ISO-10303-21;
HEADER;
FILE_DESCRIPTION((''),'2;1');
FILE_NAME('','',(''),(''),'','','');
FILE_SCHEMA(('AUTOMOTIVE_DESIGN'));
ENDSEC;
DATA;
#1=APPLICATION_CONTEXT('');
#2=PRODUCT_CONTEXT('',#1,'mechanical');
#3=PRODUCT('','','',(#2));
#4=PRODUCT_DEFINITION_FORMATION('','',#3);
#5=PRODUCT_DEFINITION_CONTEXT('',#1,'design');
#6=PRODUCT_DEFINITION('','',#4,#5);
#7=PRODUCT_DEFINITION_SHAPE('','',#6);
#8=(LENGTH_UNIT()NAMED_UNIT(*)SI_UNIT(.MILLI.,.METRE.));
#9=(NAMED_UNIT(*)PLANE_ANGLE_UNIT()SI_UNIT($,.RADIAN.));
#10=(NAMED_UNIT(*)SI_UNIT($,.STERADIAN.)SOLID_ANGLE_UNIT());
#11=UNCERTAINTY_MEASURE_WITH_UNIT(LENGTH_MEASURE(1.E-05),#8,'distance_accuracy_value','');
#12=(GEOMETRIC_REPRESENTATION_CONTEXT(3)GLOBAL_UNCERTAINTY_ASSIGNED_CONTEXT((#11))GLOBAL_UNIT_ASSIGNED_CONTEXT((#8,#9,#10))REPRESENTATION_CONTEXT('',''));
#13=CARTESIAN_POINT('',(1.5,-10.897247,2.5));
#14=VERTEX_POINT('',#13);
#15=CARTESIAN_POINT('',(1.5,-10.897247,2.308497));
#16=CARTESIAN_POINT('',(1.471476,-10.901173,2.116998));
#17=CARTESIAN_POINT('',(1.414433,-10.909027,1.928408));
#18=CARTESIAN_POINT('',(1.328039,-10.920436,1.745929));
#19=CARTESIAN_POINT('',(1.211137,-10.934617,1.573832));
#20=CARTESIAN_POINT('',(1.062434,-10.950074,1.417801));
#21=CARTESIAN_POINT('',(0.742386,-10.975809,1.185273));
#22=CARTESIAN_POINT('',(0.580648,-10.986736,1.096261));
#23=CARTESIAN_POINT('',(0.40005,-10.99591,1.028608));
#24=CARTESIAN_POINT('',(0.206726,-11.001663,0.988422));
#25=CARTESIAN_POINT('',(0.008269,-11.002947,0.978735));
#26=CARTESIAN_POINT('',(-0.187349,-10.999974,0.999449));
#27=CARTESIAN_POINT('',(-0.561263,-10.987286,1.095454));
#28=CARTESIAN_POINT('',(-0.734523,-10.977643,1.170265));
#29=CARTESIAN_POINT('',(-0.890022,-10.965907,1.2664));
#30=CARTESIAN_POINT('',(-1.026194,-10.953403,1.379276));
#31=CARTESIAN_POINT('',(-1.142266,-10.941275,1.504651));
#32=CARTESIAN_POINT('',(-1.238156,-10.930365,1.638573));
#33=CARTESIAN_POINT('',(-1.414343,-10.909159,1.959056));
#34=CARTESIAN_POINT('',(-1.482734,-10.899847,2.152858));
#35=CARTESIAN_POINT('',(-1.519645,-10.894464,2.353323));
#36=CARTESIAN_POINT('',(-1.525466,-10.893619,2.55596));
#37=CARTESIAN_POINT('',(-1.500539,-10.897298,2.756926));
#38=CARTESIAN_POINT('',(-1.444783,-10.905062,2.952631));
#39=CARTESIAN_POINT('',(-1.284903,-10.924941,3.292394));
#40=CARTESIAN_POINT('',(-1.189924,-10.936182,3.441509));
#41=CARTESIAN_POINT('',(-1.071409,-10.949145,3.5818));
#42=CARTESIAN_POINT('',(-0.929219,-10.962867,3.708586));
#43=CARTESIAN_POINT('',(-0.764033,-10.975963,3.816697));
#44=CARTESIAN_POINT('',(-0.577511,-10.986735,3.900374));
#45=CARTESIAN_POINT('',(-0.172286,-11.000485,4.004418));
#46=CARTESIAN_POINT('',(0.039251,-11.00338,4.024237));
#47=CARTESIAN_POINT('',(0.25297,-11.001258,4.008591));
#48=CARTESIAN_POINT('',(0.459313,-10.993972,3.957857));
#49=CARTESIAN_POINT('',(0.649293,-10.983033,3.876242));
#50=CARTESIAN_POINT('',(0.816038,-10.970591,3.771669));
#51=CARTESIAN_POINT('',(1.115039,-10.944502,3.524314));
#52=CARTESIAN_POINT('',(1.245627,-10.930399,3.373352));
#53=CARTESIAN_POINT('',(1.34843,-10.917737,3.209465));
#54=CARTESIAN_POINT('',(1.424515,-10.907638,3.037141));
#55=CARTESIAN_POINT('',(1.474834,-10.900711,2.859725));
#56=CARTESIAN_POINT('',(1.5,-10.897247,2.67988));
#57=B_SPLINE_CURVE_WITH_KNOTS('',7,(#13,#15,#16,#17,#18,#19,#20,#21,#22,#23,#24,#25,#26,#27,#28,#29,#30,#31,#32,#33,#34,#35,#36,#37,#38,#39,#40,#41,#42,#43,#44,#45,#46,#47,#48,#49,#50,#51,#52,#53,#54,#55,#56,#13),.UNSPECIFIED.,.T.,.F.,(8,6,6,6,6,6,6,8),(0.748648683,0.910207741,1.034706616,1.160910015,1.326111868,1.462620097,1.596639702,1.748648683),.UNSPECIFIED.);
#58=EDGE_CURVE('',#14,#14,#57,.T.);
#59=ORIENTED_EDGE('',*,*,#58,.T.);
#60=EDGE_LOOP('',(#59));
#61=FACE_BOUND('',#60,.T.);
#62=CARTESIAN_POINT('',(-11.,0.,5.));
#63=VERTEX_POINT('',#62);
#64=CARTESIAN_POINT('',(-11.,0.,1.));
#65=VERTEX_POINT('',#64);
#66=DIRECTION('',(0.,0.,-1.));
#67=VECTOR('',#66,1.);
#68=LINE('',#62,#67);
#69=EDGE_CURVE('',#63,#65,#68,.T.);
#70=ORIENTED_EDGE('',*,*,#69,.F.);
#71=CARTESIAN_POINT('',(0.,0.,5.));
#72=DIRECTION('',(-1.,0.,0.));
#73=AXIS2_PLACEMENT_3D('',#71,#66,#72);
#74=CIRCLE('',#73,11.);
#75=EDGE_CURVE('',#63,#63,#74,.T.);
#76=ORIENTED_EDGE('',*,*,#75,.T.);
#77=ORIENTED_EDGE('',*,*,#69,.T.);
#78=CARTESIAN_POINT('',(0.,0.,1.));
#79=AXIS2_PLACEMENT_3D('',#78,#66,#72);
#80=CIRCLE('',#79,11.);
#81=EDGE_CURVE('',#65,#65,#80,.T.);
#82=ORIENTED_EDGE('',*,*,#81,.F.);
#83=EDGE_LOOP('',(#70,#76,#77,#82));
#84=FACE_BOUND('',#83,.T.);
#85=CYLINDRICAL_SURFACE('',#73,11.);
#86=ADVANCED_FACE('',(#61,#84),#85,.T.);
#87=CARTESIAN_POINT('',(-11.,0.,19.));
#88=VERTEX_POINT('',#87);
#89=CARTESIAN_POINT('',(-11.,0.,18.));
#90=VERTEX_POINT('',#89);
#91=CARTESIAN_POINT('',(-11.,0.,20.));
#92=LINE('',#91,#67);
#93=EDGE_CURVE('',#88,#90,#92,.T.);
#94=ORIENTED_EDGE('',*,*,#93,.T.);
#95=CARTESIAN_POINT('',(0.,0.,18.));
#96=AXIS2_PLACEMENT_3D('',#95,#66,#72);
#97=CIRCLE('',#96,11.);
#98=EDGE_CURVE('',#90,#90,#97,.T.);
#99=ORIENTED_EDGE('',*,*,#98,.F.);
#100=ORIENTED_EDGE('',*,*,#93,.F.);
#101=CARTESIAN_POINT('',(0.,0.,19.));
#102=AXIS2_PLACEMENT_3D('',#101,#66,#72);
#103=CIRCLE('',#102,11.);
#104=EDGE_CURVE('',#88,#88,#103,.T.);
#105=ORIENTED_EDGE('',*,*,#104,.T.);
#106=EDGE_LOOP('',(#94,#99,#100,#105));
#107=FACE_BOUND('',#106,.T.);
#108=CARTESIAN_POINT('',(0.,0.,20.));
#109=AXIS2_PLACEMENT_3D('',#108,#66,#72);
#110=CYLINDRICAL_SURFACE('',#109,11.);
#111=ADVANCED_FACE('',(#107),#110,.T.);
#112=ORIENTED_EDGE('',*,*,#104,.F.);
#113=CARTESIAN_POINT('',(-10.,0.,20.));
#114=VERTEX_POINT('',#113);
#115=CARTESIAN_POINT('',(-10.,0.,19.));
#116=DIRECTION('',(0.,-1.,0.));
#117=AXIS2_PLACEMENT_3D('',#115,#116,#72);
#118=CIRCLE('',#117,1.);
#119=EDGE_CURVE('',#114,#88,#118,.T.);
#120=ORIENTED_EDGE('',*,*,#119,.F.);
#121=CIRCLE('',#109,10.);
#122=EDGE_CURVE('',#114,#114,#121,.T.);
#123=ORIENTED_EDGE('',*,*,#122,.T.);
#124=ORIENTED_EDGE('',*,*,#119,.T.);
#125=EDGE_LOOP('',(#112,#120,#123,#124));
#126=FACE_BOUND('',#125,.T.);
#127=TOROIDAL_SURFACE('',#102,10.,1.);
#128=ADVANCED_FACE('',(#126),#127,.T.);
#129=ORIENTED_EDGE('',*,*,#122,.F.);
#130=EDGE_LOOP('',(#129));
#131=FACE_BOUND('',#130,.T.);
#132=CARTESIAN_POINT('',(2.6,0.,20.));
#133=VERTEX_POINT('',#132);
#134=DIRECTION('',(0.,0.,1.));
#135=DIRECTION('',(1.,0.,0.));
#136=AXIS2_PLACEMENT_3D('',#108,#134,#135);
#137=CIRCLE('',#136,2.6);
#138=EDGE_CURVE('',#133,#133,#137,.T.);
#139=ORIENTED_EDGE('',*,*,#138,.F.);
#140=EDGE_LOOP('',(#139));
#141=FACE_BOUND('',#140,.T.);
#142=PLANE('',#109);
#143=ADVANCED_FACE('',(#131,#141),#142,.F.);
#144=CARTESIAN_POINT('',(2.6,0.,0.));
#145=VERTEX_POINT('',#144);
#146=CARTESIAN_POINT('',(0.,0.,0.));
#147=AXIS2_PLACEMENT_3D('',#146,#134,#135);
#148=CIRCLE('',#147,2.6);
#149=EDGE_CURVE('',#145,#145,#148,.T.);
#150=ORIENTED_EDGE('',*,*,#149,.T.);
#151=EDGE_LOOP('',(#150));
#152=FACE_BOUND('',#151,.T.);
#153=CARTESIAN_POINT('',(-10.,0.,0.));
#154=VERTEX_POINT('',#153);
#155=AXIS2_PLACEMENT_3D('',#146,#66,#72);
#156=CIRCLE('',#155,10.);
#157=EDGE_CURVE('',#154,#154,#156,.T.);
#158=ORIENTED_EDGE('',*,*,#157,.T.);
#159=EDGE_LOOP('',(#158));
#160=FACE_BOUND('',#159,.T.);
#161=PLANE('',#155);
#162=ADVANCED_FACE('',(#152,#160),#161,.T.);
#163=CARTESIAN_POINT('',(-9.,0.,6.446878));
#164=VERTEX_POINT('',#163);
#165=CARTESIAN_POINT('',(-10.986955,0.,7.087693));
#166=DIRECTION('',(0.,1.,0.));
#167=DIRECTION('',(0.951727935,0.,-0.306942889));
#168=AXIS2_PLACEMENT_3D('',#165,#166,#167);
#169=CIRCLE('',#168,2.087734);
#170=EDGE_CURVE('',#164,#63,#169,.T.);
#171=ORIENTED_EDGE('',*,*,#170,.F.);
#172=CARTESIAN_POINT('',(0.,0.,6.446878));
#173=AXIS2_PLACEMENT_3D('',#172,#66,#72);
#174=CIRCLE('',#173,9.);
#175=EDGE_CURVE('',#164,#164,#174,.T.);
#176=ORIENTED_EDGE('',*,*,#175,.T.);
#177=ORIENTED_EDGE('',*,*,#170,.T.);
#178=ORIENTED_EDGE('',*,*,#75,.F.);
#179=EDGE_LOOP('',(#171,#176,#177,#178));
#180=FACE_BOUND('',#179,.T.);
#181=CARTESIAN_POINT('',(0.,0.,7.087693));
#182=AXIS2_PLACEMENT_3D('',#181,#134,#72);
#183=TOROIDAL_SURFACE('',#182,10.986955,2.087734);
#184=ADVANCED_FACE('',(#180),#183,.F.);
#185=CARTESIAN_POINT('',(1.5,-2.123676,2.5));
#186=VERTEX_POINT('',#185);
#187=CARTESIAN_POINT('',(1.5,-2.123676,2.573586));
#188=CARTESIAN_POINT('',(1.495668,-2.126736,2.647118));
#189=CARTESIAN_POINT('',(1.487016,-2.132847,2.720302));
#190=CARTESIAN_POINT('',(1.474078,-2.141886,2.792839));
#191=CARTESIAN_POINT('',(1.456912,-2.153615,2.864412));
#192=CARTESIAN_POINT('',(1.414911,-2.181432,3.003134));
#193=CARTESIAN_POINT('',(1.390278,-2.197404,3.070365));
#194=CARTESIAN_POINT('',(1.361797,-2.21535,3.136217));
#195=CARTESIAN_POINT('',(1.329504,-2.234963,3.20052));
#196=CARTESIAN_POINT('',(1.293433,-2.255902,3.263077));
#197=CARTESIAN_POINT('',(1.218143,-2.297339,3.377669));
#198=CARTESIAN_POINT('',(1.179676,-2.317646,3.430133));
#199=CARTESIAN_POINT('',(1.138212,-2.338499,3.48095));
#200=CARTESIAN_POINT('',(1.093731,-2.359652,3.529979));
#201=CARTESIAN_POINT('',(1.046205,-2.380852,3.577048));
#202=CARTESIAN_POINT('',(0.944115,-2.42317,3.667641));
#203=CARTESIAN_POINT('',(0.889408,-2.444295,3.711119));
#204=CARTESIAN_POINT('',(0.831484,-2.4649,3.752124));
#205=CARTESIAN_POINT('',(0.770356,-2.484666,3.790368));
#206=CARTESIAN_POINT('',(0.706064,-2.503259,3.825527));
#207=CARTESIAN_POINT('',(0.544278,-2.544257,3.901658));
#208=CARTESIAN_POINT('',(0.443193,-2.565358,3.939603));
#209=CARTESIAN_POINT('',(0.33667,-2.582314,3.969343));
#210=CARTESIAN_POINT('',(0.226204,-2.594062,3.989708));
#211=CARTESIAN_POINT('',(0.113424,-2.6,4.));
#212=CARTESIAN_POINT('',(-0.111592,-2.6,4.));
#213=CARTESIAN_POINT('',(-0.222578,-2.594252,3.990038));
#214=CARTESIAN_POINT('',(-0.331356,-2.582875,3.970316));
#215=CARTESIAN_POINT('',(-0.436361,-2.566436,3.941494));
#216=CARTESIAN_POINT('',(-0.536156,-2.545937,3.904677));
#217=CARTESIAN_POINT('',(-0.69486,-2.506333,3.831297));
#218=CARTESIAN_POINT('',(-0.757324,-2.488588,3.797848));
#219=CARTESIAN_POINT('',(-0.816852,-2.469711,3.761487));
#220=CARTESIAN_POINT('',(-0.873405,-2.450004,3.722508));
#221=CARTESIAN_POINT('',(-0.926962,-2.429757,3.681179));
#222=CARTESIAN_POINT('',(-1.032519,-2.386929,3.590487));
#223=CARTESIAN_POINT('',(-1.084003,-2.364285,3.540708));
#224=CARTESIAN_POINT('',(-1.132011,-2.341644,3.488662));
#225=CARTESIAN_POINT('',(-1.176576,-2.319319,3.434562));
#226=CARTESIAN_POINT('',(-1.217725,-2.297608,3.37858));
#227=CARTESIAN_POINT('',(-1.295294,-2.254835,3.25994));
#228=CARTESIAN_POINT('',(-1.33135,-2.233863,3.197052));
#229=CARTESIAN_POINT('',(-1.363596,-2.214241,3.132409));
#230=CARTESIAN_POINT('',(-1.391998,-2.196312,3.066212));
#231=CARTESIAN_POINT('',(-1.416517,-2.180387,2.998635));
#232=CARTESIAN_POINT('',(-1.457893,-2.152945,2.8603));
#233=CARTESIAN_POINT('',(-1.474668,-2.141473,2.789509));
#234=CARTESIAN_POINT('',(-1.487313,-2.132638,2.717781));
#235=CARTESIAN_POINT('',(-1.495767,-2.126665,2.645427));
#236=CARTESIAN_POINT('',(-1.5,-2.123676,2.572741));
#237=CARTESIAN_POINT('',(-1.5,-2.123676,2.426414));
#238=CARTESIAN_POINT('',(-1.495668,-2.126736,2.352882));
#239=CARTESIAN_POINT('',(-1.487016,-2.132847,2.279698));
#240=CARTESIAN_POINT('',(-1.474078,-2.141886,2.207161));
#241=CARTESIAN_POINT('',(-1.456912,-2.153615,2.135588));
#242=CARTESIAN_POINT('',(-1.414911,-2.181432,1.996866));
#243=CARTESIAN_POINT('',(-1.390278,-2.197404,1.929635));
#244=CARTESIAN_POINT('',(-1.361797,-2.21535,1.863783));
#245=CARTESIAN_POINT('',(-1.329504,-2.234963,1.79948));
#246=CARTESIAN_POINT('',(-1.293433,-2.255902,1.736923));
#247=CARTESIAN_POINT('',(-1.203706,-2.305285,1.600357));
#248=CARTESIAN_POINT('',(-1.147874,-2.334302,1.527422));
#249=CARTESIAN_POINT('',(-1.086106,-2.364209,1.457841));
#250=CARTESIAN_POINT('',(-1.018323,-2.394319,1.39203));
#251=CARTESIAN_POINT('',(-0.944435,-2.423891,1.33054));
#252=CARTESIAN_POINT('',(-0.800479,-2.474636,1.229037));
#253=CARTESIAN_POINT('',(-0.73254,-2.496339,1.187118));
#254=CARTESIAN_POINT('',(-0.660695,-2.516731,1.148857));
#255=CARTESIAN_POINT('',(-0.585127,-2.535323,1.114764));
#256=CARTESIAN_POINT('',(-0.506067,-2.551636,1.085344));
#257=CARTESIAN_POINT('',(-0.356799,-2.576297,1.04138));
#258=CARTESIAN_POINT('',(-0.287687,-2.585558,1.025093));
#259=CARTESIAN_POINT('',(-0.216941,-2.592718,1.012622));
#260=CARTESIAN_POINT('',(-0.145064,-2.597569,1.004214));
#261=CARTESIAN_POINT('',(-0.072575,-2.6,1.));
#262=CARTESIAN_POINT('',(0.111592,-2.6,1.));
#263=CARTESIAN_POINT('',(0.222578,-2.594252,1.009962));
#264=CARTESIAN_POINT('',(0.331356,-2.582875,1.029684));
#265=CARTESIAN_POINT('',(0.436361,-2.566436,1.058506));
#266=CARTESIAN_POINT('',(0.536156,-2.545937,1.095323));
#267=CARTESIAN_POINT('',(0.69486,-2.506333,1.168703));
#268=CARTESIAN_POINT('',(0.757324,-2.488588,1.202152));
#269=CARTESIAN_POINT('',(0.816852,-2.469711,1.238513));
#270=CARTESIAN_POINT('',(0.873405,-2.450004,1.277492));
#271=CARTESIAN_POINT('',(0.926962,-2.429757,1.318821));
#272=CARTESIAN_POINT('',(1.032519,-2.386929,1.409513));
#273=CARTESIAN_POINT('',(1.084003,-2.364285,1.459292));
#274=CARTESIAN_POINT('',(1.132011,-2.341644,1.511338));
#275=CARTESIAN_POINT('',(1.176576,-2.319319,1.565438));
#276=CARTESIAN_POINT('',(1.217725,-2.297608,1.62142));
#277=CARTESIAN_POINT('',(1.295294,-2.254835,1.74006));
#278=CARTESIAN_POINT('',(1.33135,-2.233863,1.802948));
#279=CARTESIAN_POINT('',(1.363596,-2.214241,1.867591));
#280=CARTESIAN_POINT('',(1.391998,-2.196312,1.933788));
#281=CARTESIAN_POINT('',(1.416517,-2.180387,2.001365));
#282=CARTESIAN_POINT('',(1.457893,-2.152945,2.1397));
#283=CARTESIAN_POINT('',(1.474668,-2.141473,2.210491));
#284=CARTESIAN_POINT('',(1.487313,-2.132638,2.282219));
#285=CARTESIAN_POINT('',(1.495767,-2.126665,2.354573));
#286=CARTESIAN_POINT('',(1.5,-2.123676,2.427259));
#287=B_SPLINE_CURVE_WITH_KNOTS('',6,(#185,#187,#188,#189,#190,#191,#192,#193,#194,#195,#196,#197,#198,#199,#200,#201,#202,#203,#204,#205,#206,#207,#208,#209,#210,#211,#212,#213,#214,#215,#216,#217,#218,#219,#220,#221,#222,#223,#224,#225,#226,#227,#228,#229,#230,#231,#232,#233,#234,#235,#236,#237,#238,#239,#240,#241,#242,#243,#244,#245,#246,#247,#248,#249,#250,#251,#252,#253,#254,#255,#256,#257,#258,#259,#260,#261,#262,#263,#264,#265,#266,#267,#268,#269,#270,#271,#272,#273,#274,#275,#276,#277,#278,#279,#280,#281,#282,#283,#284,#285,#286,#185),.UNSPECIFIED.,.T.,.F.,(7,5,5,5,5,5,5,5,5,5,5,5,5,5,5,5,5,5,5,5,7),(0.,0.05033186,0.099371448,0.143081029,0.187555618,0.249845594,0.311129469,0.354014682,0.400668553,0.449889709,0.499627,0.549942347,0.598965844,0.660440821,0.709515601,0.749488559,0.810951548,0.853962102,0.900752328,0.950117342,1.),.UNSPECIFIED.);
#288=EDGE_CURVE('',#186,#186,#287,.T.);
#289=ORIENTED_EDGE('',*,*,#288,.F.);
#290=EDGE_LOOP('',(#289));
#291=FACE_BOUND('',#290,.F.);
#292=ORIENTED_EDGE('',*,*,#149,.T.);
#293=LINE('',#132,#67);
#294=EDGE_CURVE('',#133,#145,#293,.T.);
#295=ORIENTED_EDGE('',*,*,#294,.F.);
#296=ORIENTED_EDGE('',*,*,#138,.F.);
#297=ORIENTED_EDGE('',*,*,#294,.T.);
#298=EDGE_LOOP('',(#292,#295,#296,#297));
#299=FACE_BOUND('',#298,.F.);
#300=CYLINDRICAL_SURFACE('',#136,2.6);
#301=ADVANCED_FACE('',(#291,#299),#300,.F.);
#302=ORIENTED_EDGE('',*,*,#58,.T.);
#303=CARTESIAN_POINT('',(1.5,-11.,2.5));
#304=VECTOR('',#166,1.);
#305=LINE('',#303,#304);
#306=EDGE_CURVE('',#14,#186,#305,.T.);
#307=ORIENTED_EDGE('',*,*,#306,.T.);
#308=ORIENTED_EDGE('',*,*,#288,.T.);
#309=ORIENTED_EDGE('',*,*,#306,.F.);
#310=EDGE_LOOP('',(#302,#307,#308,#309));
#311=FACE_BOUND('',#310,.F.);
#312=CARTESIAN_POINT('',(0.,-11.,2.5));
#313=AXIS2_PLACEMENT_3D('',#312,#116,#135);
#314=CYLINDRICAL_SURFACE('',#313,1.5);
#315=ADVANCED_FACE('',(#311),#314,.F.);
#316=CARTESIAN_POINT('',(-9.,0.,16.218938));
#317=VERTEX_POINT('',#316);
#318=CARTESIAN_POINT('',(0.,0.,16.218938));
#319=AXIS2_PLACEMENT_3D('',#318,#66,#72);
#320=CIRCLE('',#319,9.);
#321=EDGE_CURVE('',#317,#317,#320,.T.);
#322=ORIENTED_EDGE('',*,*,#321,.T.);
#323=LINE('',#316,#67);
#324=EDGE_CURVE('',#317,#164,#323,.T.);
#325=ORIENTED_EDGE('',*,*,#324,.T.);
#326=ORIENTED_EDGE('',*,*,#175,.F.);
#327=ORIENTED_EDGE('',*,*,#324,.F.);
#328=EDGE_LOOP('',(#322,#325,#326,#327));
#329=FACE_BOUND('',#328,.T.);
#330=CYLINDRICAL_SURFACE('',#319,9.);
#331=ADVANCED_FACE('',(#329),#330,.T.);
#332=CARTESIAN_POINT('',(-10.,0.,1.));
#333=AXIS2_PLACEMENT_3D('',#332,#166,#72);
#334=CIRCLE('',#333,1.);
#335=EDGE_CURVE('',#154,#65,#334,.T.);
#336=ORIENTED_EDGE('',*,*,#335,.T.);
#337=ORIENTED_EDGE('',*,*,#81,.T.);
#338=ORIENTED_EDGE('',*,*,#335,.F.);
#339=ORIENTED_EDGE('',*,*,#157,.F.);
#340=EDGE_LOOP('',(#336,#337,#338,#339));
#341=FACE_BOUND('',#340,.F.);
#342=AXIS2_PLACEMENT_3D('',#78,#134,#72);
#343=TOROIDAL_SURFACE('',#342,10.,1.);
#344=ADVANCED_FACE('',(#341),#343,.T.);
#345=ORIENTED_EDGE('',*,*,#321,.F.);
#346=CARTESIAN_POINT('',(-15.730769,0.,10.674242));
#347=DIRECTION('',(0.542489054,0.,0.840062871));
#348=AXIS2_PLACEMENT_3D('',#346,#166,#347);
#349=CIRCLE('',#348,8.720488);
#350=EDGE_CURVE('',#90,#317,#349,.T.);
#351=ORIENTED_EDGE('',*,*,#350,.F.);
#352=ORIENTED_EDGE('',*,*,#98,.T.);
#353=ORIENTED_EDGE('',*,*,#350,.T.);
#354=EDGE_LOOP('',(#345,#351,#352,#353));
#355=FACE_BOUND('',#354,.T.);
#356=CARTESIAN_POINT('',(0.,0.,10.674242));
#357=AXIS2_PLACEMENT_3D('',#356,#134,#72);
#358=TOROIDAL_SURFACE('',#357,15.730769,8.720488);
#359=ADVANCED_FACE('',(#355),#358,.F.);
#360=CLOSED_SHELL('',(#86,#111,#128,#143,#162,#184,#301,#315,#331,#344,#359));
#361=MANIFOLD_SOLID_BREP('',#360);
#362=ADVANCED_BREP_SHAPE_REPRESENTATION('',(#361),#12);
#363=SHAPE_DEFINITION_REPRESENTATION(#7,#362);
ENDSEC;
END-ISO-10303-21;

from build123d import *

# Parameters (mm, degrees)
F2_R     = 2.6
F3_DEPTH = 20
F5_R     = 1.5
F6_DEPTH = 10
F7_R     = 1


with BuildPart() as f1:
    # F0 (on Front) → F1 (revolve)
    with BuildSketch(Plane.XZ):
        with BuildLine():
            Line((-11, 0), (0, 0))
            Line((0, 0), (0, 20))
            Line((0, 20), (-11, 20))
            Line((-11, 20), (-11, 18))
            ThreePointArc((-11, 18), (-9.931221, 17.186703), (-9, 16.218938))
            Line((-9, 16.218938), (-9, 6.446878))
            ThreePointArc((-9, 6.446878), (-9.763254, 5.396188), (-11, 5))
            Line((-11, 5), (-11, 0))
        make_face()
    revolve(axis=Axis((0, 0, 10), (0, 0, -1)))

    # F2 (on face) → F3 (cut)
    with BuildSketch(Plane.XY.offset(20)):
        Circle(F2_R)
    extrude(amount=-F3_DEPTH, mode=Mode.SUBTRACT)

    # F5 (on offset) → F6 (cut)
    with BuildSketch(Plane.XZ.offset(11)):
        with Locations((0, 2.5)):
            Circle(F5_R)
    extrude(amount=-F6_DEPTH, mode=Mode.SUBTRACT)

    # F7
    f7_edges = [f1.edges().sort_by_distance(p)[0] for p in [
        (11, 0, 20),
        (11, 0, 0),
    ]]
    fillet(f7_edges, radius=F7_R)


solid = f1.part
